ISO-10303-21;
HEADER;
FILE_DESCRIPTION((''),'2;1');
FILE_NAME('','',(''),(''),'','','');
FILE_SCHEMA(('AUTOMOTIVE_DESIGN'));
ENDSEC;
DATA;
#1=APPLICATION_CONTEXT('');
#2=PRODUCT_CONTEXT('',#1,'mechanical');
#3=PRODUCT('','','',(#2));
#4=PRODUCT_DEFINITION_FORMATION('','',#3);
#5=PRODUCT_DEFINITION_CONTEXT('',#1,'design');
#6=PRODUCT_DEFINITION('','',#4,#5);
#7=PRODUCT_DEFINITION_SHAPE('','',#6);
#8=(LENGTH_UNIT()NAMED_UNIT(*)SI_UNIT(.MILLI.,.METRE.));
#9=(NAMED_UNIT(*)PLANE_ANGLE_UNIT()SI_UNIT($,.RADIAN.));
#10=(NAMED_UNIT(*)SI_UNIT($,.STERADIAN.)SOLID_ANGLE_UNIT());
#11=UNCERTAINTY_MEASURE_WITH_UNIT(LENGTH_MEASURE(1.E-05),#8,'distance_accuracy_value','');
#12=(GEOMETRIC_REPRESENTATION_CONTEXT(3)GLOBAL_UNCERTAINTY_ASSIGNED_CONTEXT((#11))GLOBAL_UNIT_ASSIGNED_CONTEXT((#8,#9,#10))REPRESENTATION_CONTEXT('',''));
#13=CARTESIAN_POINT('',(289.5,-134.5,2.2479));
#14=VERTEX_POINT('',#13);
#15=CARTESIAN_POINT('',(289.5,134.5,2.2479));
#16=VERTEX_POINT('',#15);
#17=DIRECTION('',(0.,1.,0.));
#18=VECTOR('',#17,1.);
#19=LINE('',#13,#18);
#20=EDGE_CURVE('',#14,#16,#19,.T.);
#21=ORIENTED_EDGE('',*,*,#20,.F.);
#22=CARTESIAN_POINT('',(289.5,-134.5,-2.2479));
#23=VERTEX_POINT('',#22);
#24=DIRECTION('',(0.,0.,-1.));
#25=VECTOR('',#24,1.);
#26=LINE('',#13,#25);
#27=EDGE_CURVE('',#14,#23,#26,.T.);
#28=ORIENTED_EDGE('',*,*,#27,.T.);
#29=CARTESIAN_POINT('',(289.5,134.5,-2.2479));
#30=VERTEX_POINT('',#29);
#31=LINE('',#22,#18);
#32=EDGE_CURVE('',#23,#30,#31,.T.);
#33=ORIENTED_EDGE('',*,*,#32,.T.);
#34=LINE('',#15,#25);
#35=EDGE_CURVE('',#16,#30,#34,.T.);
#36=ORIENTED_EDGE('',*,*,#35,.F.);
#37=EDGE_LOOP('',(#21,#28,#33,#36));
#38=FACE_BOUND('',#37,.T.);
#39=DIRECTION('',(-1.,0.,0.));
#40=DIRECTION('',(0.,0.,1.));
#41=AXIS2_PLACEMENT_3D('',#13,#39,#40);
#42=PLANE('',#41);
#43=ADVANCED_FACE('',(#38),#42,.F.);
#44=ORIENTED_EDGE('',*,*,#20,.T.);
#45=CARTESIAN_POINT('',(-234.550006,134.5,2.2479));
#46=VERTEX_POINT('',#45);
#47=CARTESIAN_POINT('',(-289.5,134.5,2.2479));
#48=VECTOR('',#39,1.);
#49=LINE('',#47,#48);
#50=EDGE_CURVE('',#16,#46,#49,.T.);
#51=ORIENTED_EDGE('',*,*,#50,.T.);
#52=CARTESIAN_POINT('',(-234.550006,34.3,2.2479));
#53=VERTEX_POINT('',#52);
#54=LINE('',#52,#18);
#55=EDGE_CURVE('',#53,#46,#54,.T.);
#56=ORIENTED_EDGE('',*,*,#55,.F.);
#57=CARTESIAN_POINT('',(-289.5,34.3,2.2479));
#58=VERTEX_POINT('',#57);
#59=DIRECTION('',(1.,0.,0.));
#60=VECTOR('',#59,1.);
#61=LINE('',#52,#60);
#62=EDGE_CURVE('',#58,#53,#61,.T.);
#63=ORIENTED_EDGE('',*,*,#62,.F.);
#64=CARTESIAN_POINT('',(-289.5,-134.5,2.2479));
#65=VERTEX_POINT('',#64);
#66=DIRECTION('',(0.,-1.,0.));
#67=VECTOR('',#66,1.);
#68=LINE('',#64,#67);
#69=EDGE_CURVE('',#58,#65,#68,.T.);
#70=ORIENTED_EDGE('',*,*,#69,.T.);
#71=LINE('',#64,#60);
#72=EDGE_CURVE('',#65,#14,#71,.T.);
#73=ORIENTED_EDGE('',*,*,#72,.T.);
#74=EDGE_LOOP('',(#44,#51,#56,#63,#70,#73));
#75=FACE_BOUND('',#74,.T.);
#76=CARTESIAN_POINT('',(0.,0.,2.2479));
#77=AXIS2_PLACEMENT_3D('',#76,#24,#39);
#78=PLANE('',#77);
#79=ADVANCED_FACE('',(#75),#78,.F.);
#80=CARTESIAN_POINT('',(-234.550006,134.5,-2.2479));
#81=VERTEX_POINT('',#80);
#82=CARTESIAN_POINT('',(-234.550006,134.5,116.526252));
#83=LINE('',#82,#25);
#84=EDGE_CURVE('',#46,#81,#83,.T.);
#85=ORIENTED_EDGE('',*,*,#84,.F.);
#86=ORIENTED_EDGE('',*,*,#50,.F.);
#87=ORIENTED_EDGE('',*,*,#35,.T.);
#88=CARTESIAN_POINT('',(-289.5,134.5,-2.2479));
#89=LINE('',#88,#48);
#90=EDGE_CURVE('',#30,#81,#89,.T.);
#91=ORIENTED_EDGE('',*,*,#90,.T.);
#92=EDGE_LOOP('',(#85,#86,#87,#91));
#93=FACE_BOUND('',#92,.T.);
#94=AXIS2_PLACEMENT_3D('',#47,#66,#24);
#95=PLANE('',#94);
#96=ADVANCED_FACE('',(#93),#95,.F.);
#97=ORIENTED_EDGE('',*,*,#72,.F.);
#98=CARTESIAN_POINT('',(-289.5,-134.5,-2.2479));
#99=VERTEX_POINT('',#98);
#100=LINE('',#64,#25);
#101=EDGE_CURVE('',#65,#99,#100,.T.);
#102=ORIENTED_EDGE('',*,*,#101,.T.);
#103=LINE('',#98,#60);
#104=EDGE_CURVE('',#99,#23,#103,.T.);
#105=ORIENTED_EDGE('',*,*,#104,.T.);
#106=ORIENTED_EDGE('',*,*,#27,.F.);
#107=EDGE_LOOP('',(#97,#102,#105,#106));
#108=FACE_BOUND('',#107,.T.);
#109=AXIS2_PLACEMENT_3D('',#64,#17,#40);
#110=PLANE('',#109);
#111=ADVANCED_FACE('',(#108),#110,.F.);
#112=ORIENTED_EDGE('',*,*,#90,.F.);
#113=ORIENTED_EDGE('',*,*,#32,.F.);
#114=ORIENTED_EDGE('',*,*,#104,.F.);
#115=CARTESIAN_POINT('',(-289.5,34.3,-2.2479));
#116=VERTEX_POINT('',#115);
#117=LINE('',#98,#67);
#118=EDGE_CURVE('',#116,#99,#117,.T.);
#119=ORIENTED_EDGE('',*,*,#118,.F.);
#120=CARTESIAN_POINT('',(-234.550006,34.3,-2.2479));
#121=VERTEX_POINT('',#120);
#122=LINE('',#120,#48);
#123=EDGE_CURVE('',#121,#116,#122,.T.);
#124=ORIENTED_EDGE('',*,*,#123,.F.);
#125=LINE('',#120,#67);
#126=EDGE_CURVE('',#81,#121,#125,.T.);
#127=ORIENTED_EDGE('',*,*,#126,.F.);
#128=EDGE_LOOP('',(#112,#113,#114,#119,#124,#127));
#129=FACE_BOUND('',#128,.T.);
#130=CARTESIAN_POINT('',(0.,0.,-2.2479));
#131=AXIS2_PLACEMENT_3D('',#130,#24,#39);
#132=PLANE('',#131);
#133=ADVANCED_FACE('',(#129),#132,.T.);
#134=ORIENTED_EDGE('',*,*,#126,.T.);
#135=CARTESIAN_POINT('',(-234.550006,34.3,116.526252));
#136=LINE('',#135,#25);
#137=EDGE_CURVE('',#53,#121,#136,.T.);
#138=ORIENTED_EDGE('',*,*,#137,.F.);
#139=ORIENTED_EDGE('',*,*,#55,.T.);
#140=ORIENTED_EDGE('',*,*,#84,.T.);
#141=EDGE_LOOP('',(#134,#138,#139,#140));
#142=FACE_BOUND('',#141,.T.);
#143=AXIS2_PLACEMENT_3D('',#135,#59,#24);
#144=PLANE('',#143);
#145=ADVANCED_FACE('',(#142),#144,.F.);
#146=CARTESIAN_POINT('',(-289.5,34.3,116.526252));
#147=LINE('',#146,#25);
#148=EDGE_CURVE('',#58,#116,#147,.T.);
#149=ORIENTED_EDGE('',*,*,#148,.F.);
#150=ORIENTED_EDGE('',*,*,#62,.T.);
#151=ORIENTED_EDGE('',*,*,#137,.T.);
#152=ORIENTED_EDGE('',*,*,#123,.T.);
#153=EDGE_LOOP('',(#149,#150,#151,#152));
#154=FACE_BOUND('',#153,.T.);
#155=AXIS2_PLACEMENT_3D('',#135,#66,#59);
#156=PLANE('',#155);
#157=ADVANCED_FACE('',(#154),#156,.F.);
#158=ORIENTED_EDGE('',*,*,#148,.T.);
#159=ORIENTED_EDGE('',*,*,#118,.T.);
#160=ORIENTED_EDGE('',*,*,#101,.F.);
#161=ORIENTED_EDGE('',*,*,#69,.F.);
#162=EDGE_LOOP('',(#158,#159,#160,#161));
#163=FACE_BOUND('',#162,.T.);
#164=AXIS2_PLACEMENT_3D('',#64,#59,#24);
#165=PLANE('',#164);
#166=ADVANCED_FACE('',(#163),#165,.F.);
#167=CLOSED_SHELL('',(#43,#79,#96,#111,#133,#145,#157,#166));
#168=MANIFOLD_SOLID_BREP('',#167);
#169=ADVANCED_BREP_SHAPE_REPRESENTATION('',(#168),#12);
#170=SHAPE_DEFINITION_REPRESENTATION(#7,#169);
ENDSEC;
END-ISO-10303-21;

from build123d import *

# Parameters (mm, degrees)
SKETCH1_W           = 579
SKETCH1_H           = 269
BOSS_EXTRUDE1_DEPTH = 2.2479
SKETCH2_W           = 54.949993563
SKETCH2_H           = 100.2
CUT_EXTRUDE1_DEPTH  = 4.4958


with BuildPart() as part:
    # Sketch1 → Boss-Extrude1 (new body, symmetric)
    with BuildSketch(Plane.XY):
        Rectangle(SKETCH1_W, SKETCH1_H)
    extrude(amount=BOSS_EXTRUDE1_DEPTH, both=True)

    # Sketch2 → Cut-Extrude1 (cut)
    with BuildSketch(Plane(origin=(0, 0, -2.2479), x_dir=(-1, 0, 0), z_dir=(0, 0, -1))):
        with Locations((262.025003218, 84.4)):
            Rectangle(SKETCH2_W, SKETCH2_H)
    extrude(amount=-CUT_EXTRUDE1_DEPTH, mode=Mode.SUBTRACT)


solid = part.part
